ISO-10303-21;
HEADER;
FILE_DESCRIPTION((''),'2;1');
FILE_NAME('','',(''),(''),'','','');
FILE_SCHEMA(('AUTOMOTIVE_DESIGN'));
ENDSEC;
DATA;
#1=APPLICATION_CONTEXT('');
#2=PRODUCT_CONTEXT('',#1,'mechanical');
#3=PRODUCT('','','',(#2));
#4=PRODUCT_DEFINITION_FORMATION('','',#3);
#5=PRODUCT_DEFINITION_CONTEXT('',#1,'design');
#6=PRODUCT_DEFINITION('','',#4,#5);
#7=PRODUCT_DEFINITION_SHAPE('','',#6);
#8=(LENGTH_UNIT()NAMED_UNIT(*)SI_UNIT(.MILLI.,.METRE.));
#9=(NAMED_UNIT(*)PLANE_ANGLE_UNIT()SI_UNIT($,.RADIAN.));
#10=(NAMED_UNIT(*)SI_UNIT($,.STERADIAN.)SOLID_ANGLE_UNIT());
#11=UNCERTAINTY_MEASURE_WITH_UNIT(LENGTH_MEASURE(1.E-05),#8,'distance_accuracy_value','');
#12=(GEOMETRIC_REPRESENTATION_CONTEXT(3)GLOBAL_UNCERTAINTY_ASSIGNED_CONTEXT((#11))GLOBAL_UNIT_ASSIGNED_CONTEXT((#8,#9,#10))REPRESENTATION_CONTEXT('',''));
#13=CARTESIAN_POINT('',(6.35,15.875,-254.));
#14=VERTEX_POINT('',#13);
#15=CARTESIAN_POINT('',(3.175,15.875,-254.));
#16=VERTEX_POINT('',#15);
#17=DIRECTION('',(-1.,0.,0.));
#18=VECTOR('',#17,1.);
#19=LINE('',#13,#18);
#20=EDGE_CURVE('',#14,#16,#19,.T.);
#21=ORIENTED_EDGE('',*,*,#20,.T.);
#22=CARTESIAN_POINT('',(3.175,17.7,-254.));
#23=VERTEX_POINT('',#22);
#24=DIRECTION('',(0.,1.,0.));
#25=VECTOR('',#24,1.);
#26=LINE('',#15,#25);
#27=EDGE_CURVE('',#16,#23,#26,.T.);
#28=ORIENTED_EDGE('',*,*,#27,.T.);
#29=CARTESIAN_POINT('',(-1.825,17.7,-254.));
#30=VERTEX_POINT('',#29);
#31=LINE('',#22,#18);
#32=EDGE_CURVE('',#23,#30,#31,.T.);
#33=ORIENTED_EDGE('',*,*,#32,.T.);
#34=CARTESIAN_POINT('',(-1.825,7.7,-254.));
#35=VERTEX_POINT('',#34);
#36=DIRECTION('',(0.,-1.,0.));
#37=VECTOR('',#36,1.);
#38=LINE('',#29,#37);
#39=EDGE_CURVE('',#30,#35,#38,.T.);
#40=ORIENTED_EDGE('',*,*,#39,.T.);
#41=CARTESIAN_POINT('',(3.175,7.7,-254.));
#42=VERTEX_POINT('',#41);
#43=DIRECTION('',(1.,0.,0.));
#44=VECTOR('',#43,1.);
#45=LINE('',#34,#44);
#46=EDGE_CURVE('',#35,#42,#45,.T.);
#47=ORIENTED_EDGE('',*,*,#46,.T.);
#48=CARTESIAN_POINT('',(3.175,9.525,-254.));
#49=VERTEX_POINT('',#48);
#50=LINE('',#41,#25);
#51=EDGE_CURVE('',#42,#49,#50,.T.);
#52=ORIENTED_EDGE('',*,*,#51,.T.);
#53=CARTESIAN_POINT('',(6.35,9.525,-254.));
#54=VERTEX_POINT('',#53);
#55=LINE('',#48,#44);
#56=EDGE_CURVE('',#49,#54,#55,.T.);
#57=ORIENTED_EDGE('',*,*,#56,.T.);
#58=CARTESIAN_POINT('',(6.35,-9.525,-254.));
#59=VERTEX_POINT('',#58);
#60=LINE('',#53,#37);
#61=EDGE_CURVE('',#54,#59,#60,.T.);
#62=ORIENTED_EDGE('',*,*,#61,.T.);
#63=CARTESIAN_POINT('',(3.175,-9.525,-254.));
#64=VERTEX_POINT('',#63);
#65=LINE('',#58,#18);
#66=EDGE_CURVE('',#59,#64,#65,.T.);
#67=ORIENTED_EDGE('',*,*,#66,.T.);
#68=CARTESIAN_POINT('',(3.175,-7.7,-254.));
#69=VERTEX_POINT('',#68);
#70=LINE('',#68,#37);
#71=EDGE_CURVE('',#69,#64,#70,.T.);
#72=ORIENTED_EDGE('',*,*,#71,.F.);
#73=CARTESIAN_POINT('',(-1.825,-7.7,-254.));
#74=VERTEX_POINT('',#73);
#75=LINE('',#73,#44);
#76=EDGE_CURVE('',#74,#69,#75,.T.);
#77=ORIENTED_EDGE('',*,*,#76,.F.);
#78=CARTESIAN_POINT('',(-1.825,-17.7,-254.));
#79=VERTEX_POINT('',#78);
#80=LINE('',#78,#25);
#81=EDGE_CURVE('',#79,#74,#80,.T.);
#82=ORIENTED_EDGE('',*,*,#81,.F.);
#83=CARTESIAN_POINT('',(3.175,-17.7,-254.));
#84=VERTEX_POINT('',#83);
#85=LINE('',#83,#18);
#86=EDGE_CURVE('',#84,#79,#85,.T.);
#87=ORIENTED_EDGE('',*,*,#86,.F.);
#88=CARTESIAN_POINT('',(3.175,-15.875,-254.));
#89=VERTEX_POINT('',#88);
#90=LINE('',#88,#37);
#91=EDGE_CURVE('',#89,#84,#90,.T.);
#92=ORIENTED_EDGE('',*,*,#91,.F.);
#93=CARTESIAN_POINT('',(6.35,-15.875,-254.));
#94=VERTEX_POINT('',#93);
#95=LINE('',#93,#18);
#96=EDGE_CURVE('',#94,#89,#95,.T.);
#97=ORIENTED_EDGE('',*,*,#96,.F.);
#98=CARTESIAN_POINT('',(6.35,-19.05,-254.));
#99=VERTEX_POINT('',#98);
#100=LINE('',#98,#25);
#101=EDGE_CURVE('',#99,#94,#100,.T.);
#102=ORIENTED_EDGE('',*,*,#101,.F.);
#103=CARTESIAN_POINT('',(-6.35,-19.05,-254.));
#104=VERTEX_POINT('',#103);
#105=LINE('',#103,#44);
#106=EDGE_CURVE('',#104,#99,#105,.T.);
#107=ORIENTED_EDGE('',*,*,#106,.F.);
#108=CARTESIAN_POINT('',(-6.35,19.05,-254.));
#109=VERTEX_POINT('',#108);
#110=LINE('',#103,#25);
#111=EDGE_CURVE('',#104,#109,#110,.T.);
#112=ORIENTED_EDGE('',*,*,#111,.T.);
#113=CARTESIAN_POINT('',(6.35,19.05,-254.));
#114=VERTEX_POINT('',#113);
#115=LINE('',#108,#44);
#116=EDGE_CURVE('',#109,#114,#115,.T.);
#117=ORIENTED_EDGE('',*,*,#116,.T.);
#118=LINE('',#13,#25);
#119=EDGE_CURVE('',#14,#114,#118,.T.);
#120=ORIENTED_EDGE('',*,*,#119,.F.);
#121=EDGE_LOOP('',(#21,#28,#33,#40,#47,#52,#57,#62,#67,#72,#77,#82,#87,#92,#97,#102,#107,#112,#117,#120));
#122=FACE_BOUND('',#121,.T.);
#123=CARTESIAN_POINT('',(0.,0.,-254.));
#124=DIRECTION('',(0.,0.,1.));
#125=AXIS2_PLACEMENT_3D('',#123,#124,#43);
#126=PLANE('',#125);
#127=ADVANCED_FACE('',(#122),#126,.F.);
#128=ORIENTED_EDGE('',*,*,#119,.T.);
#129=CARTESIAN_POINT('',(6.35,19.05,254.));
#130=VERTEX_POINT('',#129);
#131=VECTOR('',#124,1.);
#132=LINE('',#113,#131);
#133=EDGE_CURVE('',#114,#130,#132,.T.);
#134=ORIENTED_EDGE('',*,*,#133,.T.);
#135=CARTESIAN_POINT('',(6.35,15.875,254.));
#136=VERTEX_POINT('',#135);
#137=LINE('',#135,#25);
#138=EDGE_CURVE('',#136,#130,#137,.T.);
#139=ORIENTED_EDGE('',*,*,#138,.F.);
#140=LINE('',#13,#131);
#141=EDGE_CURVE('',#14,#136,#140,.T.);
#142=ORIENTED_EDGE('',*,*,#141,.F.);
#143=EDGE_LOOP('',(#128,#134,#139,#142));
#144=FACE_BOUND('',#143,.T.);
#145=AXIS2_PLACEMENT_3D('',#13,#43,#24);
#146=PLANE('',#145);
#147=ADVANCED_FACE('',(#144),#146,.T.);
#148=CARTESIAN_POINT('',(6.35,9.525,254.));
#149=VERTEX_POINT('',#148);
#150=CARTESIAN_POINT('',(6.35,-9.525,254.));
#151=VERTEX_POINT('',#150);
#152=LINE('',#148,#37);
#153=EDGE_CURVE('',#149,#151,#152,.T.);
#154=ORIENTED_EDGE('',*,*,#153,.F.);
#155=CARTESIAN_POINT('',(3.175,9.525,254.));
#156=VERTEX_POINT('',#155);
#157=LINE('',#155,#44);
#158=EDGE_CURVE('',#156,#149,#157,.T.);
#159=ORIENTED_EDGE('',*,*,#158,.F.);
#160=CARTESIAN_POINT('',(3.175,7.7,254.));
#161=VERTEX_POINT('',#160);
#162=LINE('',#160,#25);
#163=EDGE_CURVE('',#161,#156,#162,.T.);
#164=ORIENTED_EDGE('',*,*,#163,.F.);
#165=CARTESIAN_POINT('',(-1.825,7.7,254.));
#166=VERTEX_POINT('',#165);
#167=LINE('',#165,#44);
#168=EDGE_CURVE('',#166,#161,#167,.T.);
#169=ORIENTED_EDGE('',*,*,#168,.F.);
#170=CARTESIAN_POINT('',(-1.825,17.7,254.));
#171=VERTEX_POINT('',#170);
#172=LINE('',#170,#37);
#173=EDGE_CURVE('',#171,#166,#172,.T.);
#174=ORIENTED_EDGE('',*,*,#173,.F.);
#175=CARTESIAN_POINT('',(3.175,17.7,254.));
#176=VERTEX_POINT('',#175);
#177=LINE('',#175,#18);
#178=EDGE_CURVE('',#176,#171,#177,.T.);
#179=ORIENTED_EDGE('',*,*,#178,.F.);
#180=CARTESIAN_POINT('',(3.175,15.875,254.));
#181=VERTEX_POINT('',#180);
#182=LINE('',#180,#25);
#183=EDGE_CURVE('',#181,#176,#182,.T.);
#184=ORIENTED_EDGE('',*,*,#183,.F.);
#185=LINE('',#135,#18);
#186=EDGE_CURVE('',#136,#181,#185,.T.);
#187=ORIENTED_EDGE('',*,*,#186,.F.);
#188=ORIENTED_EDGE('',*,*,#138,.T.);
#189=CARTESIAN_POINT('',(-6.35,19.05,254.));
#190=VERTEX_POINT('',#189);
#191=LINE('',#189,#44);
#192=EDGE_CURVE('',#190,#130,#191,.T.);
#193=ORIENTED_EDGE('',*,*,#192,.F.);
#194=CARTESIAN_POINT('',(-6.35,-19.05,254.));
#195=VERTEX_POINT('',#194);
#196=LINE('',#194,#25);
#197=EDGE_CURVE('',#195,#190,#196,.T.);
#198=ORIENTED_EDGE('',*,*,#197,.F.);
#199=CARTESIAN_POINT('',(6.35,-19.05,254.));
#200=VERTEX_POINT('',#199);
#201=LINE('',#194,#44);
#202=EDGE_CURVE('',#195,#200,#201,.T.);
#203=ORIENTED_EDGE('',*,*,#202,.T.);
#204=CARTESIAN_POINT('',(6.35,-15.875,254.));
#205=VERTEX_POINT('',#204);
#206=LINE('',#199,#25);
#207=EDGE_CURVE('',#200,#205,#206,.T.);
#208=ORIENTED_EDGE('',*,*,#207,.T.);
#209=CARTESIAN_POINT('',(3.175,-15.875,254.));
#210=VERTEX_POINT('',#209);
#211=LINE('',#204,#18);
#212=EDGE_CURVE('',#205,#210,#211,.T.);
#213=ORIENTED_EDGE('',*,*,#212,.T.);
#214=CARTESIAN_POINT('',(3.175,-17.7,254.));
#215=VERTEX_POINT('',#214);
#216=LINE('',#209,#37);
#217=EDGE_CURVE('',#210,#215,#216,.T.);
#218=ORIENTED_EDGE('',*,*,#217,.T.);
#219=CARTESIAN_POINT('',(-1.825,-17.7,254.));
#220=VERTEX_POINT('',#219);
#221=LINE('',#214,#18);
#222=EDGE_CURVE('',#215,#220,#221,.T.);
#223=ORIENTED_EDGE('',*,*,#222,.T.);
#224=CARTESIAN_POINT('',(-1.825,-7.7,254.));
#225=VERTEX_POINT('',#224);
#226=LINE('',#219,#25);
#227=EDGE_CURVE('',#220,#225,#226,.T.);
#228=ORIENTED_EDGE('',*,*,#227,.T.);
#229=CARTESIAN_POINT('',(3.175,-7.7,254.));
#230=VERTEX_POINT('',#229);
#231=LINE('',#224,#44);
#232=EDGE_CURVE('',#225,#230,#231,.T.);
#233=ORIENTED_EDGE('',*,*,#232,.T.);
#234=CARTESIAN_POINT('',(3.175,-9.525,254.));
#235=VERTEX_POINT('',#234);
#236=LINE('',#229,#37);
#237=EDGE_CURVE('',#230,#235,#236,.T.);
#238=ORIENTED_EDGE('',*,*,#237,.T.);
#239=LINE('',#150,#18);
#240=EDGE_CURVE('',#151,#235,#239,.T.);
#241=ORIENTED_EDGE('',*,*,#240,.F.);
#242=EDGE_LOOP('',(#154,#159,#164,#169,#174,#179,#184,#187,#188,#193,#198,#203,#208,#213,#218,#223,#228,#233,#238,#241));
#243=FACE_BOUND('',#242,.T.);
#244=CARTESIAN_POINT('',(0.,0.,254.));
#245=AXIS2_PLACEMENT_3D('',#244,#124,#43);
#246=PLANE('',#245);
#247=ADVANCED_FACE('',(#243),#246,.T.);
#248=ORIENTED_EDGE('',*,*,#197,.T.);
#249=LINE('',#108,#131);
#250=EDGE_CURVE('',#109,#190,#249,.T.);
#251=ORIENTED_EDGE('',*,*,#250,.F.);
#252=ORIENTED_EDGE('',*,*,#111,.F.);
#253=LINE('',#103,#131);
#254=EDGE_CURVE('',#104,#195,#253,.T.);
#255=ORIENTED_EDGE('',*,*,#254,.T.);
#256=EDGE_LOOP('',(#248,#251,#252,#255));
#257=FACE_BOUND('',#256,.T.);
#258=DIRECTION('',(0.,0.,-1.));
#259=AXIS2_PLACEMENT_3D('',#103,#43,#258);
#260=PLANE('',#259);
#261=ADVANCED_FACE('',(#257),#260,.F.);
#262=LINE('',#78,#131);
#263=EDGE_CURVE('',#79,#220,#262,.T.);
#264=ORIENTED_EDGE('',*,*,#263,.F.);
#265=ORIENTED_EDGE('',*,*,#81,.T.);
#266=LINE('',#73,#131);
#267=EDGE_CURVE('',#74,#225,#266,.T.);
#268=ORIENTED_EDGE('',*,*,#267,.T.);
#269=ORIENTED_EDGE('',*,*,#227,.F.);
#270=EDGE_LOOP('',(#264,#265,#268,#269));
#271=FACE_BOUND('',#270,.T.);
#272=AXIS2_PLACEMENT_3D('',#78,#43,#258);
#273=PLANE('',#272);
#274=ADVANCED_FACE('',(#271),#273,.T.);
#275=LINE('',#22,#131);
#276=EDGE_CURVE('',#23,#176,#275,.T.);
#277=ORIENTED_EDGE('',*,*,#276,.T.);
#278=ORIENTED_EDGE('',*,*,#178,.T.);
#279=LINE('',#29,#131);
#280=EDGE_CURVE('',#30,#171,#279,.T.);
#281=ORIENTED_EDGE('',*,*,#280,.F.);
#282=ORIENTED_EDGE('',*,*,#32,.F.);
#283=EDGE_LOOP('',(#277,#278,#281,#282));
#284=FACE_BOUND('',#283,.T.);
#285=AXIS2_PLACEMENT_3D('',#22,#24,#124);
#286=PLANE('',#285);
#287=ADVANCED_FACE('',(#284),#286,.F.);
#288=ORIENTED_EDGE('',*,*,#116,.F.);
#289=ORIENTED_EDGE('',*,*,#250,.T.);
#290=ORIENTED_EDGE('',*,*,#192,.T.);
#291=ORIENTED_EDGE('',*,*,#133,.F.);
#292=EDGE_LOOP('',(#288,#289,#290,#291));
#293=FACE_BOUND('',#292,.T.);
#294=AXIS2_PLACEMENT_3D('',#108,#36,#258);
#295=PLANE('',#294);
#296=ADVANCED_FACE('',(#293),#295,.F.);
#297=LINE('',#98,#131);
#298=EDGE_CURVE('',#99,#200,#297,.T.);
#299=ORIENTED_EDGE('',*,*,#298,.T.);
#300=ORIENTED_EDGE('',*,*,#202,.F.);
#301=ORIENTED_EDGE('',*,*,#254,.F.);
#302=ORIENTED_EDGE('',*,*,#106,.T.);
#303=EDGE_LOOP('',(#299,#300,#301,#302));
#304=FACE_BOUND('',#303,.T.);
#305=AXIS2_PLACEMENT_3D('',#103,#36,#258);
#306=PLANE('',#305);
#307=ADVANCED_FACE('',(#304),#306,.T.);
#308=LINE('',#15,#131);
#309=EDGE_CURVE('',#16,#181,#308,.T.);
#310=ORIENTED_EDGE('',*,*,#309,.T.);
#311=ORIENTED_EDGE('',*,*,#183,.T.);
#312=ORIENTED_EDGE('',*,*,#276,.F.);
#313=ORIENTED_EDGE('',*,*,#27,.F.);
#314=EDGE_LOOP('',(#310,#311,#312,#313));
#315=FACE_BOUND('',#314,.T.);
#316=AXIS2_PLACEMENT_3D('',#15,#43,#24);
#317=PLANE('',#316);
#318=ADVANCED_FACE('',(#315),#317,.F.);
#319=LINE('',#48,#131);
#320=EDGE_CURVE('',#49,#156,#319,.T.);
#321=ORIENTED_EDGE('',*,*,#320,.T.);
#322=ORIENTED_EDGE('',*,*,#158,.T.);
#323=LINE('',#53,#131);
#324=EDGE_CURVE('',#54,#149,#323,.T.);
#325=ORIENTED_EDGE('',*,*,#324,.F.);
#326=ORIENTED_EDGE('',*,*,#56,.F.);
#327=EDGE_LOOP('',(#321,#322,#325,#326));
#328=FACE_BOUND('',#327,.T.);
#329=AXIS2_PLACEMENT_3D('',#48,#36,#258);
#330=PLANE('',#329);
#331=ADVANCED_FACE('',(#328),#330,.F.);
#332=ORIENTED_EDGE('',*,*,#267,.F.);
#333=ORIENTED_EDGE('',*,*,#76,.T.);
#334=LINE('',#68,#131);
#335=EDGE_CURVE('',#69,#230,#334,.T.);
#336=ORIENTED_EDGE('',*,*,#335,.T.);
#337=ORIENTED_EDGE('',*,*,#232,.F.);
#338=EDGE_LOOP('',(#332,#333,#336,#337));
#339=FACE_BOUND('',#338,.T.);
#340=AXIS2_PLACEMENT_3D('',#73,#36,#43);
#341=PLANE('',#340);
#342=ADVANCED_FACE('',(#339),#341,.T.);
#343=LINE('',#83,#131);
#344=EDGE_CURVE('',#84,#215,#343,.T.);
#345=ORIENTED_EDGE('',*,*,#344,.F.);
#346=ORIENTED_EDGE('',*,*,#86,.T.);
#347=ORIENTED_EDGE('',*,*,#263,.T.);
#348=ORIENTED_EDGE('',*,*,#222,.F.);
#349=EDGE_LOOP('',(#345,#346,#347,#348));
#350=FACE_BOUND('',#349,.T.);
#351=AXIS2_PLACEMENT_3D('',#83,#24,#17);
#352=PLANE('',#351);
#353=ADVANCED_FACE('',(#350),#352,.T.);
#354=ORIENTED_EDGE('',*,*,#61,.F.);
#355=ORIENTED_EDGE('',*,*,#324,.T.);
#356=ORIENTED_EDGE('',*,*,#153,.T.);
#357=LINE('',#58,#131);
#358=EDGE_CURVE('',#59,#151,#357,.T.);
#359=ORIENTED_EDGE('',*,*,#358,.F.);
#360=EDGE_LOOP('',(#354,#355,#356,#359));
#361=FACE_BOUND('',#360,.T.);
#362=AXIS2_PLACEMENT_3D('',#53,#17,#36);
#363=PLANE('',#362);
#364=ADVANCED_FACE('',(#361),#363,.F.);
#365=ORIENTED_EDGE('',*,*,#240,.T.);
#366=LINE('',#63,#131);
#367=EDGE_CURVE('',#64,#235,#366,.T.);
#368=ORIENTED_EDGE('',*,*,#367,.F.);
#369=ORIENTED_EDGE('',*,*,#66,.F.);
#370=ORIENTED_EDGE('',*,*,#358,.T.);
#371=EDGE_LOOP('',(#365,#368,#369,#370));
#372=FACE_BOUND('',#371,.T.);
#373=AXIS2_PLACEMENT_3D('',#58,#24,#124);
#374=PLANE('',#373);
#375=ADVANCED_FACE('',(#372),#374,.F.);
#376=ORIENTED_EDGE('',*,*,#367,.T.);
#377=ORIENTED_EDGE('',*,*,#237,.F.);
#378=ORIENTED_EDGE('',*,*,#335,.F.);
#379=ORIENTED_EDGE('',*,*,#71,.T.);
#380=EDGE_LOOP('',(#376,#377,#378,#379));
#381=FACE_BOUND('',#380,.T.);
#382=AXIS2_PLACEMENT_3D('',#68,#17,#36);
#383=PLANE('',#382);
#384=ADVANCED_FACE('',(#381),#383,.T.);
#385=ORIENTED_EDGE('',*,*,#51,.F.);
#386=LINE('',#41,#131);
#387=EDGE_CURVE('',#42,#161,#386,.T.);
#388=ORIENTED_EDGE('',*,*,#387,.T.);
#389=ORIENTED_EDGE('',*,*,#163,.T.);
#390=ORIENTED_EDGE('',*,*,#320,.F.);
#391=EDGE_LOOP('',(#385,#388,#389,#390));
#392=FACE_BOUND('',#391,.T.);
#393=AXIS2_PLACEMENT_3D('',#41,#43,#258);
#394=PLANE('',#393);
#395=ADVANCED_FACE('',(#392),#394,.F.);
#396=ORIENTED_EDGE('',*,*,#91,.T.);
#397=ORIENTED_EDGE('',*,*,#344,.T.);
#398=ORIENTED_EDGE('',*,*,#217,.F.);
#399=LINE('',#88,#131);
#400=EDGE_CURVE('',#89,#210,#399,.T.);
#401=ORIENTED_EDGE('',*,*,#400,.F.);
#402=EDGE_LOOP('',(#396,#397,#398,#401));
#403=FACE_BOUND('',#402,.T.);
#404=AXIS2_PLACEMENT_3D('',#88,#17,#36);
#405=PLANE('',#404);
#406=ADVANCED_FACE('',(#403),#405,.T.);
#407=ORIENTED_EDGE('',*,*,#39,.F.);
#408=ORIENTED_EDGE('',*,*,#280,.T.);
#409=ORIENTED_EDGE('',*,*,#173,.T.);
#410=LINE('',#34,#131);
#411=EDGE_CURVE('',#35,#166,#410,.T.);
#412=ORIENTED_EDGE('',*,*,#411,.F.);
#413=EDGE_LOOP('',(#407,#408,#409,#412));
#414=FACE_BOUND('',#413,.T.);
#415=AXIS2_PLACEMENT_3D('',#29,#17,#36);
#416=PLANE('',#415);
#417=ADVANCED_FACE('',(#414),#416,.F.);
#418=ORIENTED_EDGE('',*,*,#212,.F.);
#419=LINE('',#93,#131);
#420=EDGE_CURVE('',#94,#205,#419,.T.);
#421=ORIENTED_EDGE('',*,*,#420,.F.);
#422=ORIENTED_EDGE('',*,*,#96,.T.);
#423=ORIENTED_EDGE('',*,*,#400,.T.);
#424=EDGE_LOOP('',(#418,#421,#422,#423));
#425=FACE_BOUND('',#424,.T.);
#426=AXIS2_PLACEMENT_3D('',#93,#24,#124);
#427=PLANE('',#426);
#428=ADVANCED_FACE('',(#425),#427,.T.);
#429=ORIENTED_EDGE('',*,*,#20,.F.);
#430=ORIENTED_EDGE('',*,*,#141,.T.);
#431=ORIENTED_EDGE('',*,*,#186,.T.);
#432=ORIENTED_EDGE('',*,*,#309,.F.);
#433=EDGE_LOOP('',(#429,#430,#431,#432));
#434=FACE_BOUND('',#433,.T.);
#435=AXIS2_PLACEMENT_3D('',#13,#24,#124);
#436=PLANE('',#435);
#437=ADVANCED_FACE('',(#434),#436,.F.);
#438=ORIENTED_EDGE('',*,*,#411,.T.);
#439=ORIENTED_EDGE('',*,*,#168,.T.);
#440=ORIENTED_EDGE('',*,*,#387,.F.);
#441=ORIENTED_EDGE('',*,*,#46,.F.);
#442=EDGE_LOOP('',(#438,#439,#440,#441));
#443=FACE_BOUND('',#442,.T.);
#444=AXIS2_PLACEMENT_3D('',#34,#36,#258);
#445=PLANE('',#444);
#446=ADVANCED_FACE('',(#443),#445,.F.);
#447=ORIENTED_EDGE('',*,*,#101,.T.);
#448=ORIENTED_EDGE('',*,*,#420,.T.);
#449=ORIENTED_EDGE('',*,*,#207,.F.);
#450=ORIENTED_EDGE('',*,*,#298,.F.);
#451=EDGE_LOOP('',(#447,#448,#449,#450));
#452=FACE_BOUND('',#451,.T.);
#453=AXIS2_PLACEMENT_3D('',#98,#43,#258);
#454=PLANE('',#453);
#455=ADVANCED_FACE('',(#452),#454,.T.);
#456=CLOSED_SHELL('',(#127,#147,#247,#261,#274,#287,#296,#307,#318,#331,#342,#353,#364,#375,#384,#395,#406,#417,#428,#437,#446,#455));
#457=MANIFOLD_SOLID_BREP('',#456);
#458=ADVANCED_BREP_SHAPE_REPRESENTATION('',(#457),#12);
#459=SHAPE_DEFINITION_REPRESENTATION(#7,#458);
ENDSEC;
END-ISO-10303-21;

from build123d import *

# Parameters (mm, degrees)
BOSS_EXTRUDE1_DEPTH      = 254
BOSS_EXTRUDE1_DEPTH_BACK = 254


with BuildPart() as part:
    # Sketch1 → Boss-Extrude1 (new, two sides: drawn at the far end of the back side and taken through both)
    with BuildSketch(Plane.XY.offset(-BOSS_EXTRUDE1_DEPTH_BACK)):
        Polygon((6.35, -19.05), (6.35, -15.875), (3.175, -15.875), (3.175, -17.7), (-1.825, -17.7), (-1.825, -7.7), (3.175, -7.7), (3.175, -9.525), (6.35, -9.525), (6.35, 9.525), (3.175, 9.525), (3.175, 7.7), (-1.825, 7.7), (-1.825, 17.7), (3.175, 17.7), (3.175, 15.875), (6.35, 15.875), (6.35, 19.05), (-6.35, 19.05), (-6.35, -19.05), align=None)
    extrude(amount=BOSS_EXTRUDE1_DEPTH + BOSS_EXTRUDE1_DEPTH_BACK)


solid = part.part
